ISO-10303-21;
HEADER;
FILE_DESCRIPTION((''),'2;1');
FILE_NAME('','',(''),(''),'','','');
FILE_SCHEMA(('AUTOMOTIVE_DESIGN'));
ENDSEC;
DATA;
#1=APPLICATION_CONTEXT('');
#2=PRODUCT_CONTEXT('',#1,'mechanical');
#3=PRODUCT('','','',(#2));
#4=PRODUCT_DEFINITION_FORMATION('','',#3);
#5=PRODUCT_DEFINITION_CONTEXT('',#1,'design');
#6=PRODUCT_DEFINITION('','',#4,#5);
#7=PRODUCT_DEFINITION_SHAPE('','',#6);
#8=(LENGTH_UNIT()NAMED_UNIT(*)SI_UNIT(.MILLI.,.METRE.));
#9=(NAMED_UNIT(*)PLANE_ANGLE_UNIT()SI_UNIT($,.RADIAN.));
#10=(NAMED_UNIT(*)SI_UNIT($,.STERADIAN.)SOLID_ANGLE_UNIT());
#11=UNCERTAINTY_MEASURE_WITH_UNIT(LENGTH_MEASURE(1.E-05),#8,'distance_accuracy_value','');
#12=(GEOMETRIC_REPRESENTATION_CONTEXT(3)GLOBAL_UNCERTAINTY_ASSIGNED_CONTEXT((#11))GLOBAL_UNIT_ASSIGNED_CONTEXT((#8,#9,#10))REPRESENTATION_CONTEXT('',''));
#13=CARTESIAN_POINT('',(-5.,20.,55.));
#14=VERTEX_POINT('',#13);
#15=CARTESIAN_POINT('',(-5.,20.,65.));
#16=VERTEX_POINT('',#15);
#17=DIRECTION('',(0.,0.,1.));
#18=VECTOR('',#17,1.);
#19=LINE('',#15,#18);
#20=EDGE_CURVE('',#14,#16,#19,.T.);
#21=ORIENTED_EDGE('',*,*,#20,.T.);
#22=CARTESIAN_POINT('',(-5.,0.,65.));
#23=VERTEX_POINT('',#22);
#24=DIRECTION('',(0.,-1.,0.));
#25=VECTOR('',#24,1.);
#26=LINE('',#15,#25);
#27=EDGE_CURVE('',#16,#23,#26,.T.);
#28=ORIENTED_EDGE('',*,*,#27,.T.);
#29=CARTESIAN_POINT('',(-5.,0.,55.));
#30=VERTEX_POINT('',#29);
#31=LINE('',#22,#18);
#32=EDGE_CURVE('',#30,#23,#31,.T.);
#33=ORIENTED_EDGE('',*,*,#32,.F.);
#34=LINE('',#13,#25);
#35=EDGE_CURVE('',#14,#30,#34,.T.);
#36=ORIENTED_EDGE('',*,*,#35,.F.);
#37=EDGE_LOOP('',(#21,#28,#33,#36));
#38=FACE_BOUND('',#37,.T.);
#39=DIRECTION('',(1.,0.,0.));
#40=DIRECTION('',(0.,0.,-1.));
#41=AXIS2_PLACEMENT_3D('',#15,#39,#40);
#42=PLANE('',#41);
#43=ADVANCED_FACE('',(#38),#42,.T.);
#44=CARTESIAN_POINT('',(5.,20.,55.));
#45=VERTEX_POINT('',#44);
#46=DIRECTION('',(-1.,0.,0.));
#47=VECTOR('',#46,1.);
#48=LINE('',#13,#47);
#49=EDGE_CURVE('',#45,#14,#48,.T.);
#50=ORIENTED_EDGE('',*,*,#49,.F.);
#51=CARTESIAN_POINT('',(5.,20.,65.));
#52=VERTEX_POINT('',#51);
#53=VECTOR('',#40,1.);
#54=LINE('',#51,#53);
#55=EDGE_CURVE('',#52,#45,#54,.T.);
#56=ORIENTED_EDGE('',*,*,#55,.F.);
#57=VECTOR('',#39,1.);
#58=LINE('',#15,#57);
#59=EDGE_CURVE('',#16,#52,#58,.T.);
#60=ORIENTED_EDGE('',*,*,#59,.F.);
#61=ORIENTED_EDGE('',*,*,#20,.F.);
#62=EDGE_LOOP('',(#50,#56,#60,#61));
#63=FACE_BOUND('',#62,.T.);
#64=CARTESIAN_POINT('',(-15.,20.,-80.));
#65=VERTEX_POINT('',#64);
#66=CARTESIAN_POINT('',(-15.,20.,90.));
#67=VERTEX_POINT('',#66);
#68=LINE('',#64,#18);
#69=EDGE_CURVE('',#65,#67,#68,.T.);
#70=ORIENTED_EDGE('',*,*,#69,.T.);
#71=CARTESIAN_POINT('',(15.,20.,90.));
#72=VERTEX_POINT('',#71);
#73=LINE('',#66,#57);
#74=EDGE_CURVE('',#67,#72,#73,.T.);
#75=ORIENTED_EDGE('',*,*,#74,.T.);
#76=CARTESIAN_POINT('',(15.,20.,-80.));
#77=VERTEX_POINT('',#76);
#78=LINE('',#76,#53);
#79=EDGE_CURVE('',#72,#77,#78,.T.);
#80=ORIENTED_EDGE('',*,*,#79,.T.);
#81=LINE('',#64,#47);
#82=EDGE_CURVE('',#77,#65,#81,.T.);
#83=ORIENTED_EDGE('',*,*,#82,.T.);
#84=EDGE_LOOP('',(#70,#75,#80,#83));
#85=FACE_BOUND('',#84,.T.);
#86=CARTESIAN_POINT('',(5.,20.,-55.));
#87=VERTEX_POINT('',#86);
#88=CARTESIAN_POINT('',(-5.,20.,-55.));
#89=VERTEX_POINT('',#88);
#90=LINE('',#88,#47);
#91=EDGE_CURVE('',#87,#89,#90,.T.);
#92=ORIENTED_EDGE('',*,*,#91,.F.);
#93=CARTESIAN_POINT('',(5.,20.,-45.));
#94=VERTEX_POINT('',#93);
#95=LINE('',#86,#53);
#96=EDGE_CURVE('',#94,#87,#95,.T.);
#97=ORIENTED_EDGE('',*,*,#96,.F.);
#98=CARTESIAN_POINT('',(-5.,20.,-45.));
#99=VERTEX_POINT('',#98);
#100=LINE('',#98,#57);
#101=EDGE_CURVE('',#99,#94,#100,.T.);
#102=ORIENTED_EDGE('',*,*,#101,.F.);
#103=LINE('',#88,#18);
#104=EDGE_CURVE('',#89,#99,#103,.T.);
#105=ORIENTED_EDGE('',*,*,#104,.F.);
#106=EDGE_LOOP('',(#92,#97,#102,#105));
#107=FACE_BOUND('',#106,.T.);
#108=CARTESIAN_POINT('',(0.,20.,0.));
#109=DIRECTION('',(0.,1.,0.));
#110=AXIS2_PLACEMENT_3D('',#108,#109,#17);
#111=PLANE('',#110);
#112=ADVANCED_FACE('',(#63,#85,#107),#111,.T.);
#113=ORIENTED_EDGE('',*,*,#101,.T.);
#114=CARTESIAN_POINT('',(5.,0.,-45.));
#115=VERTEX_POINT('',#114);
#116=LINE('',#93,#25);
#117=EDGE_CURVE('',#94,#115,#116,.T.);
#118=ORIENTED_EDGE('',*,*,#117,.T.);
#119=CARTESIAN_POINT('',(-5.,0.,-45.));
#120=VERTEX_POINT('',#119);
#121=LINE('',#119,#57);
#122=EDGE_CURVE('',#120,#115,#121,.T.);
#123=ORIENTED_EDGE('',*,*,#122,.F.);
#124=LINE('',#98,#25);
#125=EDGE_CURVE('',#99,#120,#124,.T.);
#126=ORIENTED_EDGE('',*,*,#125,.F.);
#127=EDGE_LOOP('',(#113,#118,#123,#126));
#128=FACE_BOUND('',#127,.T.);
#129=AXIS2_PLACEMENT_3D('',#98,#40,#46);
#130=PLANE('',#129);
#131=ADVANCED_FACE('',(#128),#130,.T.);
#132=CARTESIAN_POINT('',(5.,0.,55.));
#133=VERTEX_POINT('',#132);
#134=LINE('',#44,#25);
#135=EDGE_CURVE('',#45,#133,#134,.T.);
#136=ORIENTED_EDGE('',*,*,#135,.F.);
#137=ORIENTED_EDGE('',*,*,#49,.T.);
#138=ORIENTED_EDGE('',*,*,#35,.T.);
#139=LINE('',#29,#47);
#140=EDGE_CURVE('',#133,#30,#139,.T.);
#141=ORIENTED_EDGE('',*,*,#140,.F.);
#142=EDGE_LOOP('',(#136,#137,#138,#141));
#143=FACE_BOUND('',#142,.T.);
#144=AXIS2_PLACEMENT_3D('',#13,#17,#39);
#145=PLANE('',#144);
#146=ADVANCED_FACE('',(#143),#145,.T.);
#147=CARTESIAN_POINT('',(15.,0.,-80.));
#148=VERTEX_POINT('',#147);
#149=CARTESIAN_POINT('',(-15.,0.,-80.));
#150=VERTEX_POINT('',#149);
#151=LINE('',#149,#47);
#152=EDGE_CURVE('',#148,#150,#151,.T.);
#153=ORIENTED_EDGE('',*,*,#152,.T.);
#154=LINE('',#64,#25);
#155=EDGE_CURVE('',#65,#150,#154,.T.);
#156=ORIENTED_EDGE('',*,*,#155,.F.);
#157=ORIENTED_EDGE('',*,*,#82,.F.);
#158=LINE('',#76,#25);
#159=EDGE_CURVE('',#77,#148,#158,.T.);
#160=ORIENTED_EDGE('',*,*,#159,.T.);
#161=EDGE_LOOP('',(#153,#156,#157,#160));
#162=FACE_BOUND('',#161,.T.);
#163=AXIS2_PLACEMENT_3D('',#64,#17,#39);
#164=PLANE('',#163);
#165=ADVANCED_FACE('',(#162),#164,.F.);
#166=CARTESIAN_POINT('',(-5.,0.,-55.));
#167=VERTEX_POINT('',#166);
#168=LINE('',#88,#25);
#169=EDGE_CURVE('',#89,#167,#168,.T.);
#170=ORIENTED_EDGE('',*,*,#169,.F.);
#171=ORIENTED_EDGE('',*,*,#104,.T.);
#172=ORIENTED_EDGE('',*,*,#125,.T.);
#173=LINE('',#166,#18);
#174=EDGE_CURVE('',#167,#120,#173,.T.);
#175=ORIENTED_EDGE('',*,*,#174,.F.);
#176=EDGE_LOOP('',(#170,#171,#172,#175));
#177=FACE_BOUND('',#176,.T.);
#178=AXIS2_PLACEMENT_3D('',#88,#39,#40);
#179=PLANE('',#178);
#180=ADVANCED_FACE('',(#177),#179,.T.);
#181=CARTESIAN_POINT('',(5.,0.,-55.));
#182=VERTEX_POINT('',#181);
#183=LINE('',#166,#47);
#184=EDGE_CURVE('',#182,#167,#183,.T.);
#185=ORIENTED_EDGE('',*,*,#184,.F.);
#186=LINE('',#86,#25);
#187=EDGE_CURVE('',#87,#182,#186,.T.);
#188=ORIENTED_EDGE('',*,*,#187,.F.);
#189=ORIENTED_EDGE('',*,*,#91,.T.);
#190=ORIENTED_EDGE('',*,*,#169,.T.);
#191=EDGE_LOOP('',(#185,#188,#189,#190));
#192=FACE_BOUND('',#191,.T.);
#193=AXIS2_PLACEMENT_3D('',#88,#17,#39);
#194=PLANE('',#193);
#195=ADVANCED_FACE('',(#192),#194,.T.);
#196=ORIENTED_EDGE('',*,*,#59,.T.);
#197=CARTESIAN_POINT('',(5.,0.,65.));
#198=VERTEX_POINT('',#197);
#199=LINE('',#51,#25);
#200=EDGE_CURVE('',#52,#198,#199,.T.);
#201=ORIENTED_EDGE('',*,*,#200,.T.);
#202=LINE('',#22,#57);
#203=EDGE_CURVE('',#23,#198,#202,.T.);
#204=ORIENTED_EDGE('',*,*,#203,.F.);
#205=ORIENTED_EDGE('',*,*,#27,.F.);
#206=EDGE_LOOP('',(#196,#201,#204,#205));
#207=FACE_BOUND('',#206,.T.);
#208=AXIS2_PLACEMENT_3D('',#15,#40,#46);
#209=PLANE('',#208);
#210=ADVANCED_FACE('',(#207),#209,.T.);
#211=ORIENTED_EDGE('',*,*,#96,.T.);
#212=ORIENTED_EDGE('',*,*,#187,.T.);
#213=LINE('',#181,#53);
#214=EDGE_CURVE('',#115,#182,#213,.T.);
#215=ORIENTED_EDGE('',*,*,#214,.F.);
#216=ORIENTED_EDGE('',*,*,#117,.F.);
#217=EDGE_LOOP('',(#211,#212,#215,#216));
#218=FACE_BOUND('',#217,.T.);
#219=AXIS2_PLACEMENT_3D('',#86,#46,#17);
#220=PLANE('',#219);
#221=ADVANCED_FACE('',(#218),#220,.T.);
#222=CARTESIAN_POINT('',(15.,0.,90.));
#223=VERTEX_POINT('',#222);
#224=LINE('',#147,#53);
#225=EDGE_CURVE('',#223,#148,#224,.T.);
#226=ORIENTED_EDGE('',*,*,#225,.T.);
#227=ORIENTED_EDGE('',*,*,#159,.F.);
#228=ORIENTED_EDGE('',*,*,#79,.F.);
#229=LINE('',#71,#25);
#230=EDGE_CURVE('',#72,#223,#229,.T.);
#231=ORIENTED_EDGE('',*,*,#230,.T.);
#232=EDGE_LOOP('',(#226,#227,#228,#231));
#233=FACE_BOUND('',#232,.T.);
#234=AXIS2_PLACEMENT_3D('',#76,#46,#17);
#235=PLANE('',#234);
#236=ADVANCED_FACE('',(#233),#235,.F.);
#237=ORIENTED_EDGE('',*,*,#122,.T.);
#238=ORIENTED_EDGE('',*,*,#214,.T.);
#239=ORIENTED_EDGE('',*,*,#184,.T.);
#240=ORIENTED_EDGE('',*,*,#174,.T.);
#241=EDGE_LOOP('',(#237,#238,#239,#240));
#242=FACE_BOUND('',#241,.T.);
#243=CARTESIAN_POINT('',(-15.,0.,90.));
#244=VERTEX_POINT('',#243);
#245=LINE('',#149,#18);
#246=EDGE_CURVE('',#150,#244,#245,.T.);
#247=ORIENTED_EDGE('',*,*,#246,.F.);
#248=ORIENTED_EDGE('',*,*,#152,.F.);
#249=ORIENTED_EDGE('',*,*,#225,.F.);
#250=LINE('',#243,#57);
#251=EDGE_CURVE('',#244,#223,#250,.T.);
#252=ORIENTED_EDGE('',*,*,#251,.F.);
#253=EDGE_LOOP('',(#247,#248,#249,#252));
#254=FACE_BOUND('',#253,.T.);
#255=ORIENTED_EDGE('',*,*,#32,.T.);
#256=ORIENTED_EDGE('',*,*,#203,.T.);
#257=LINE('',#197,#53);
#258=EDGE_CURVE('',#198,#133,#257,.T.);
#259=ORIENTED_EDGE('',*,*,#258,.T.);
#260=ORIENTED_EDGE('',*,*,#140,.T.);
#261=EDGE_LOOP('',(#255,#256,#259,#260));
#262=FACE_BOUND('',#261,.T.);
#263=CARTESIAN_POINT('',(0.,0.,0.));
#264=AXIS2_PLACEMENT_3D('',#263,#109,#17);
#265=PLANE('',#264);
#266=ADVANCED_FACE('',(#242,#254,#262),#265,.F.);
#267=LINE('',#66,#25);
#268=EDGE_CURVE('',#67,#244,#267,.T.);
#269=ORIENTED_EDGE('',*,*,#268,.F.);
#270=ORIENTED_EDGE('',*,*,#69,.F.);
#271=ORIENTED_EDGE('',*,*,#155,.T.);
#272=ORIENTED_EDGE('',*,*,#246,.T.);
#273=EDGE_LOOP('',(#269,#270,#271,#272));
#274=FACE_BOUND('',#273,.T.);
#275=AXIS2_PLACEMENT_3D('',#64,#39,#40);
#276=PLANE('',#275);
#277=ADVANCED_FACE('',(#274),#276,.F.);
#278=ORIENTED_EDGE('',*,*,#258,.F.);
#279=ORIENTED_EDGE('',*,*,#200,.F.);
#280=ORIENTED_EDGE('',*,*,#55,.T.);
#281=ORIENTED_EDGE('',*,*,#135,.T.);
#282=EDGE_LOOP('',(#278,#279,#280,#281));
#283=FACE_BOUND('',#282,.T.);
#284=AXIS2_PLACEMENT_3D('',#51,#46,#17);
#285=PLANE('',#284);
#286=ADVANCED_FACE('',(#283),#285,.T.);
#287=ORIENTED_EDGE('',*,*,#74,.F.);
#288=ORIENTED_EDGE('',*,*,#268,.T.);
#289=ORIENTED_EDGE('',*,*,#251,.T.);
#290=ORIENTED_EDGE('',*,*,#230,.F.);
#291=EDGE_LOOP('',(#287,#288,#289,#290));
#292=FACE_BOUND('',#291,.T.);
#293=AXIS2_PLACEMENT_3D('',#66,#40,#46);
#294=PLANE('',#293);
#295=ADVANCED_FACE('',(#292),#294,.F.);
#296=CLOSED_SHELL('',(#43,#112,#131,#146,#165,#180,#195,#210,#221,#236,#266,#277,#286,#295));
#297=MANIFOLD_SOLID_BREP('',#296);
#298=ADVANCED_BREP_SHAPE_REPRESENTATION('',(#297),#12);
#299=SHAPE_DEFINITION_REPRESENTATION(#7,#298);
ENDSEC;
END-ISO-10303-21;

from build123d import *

# Parameters (mm, degrees)
SKETCH1_W           = 30
SKETCH1_H           = 170
SKETCH1_W_2         = 10
SKETCH1_H_2         = 10
BOSS_EXTRUDE1_DEPTH = 20


with BuildPart() as part:
    # Sketch1 → Boss-Extrude1 (new body)
    with BuildSketch(Plane(origin=(0, 0, 0), x_dir=(1, 0, 0), z_dir=(0, 1, 0))):
        with Locations((0, -5)):
            Rectangle(SKETCH1_W, SKETCH1_H)
        with Locations((0, 50)):
            Rectangle(SKETCH1_W_2, SKETCH1_H_2, mode=Mode.SUBTRACT)
        with Locations((0, -60)):
            Rectangle(SKETCH1_W_2, SKETCH1_H_2, mode=Mode.SUBTRACT)
    extrude(amount=BOSS_EXTRUDE1_DEPTH)


solid = part.part
